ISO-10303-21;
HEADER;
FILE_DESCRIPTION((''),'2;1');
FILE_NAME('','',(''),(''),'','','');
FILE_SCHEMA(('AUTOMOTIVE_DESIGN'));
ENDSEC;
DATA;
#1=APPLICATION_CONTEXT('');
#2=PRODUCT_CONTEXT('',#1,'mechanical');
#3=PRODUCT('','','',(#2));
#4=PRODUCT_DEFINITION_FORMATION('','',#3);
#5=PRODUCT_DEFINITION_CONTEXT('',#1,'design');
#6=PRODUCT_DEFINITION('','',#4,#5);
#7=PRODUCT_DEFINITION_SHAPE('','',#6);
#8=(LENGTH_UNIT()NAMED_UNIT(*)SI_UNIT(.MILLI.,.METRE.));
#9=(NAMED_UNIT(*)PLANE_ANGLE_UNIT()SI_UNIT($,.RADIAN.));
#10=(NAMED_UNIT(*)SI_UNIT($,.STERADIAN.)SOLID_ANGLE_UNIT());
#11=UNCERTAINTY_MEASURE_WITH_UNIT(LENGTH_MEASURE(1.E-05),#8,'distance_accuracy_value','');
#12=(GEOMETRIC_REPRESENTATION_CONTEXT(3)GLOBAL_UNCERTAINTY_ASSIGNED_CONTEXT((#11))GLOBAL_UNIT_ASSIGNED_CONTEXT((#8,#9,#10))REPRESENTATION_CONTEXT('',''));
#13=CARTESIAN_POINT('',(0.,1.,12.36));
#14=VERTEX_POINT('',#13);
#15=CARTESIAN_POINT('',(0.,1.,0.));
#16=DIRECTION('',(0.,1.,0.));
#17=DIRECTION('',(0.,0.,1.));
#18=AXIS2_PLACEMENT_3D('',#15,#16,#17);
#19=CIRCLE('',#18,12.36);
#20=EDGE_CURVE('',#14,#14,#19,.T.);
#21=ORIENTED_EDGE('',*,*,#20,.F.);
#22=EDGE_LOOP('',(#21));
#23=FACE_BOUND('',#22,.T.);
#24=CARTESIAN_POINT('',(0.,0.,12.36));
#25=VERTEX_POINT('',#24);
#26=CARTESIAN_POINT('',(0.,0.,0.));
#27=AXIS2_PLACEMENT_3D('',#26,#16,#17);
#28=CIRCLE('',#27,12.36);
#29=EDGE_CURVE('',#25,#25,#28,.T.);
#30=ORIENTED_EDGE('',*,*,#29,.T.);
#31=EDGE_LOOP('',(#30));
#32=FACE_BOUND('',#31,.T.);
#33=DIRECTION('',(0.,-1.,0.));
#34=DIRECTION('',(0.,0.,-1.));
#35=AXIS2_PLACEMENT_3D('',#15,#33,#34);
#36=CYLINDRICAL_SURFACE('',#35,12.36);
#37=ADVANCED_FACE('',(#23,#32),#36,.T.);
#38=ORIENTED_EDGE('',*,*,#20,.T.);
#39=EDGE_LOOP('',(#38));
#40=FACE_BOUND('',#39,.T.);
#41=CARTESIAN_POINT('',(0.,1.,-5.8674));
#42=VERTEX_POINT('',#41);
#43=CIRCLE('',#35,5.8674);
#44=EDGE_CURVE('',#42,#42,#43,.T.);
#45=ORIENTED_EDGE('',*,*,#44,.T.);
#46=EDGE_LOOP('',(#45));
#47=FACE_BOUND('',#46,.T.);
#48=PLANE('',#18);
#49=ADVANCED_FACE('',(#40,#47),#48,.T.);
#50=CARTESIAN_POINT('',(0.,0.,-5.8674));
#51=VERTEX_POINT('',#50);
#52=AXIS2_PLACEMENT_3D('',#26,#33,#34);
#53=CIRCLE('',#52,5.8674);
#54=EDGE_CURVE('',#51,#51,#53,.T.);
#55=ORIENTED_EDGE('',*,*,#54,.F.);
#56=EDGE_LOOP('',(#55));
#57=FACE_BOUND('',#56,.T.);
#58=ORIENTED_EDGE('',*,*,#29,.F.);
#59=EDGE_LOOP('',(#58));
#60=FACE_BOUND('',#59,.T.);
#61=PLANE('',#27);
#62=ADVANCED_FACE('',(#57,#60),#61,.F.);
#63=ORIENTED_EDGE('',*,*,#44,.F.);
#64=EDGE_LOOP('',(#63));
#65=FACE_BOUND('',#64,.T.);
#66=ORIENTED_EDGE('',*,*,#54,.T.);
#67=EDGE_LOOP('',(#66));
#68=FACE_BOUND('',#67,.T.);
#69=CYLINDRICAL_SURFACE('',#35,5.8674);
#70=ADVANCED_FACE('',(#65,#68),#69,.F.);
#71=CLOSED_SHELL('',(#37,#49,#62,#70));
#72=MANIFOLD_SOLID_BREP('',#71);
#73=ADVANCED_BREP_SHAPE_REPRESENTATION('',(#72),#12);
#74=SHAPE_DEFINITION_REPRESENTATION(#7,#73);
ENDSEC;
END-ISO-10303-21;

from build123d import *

# Parameters (mm, degrees)
SKETCH1_R           = 12.36
BOSS_EXTRUDE1_DEPTH = 1
SKETCH2_R           = 5.8674
CUT_EXTRUDE1_DEPTH  = 18.508260907


with BuildPart() as part:
    # Sketch1 → Boss-Extrude1 (new body)
    with BuildSketch(Plane(origin=(0, 0, 0), x_dir=(1, 0, 0), z_dir=(0, 1, 0))):
        with Locations(Location((0, 0, 0), (0, 0, 270))):
            Circle(SKETCH1_R)
    extrude(amount=BOSS_EXTRUDE1_DEPTH)

    # Sketch2 → Cut-Extrude1 (cut, through all)
    with BuildSketch(Plane(origin=(0, 0, 0), x_dir=(-1, 0, 0), z_dir=(0, -1, 0))):
        with Locations(Location((0, 0, 0), (0, 0, 90))):
            Circle(SKETCH2_R)
    extrude(amount=-CUT_EXTRUDE1_DEPTH, mode=Mode.SUBTRACT)


solid = part.part
